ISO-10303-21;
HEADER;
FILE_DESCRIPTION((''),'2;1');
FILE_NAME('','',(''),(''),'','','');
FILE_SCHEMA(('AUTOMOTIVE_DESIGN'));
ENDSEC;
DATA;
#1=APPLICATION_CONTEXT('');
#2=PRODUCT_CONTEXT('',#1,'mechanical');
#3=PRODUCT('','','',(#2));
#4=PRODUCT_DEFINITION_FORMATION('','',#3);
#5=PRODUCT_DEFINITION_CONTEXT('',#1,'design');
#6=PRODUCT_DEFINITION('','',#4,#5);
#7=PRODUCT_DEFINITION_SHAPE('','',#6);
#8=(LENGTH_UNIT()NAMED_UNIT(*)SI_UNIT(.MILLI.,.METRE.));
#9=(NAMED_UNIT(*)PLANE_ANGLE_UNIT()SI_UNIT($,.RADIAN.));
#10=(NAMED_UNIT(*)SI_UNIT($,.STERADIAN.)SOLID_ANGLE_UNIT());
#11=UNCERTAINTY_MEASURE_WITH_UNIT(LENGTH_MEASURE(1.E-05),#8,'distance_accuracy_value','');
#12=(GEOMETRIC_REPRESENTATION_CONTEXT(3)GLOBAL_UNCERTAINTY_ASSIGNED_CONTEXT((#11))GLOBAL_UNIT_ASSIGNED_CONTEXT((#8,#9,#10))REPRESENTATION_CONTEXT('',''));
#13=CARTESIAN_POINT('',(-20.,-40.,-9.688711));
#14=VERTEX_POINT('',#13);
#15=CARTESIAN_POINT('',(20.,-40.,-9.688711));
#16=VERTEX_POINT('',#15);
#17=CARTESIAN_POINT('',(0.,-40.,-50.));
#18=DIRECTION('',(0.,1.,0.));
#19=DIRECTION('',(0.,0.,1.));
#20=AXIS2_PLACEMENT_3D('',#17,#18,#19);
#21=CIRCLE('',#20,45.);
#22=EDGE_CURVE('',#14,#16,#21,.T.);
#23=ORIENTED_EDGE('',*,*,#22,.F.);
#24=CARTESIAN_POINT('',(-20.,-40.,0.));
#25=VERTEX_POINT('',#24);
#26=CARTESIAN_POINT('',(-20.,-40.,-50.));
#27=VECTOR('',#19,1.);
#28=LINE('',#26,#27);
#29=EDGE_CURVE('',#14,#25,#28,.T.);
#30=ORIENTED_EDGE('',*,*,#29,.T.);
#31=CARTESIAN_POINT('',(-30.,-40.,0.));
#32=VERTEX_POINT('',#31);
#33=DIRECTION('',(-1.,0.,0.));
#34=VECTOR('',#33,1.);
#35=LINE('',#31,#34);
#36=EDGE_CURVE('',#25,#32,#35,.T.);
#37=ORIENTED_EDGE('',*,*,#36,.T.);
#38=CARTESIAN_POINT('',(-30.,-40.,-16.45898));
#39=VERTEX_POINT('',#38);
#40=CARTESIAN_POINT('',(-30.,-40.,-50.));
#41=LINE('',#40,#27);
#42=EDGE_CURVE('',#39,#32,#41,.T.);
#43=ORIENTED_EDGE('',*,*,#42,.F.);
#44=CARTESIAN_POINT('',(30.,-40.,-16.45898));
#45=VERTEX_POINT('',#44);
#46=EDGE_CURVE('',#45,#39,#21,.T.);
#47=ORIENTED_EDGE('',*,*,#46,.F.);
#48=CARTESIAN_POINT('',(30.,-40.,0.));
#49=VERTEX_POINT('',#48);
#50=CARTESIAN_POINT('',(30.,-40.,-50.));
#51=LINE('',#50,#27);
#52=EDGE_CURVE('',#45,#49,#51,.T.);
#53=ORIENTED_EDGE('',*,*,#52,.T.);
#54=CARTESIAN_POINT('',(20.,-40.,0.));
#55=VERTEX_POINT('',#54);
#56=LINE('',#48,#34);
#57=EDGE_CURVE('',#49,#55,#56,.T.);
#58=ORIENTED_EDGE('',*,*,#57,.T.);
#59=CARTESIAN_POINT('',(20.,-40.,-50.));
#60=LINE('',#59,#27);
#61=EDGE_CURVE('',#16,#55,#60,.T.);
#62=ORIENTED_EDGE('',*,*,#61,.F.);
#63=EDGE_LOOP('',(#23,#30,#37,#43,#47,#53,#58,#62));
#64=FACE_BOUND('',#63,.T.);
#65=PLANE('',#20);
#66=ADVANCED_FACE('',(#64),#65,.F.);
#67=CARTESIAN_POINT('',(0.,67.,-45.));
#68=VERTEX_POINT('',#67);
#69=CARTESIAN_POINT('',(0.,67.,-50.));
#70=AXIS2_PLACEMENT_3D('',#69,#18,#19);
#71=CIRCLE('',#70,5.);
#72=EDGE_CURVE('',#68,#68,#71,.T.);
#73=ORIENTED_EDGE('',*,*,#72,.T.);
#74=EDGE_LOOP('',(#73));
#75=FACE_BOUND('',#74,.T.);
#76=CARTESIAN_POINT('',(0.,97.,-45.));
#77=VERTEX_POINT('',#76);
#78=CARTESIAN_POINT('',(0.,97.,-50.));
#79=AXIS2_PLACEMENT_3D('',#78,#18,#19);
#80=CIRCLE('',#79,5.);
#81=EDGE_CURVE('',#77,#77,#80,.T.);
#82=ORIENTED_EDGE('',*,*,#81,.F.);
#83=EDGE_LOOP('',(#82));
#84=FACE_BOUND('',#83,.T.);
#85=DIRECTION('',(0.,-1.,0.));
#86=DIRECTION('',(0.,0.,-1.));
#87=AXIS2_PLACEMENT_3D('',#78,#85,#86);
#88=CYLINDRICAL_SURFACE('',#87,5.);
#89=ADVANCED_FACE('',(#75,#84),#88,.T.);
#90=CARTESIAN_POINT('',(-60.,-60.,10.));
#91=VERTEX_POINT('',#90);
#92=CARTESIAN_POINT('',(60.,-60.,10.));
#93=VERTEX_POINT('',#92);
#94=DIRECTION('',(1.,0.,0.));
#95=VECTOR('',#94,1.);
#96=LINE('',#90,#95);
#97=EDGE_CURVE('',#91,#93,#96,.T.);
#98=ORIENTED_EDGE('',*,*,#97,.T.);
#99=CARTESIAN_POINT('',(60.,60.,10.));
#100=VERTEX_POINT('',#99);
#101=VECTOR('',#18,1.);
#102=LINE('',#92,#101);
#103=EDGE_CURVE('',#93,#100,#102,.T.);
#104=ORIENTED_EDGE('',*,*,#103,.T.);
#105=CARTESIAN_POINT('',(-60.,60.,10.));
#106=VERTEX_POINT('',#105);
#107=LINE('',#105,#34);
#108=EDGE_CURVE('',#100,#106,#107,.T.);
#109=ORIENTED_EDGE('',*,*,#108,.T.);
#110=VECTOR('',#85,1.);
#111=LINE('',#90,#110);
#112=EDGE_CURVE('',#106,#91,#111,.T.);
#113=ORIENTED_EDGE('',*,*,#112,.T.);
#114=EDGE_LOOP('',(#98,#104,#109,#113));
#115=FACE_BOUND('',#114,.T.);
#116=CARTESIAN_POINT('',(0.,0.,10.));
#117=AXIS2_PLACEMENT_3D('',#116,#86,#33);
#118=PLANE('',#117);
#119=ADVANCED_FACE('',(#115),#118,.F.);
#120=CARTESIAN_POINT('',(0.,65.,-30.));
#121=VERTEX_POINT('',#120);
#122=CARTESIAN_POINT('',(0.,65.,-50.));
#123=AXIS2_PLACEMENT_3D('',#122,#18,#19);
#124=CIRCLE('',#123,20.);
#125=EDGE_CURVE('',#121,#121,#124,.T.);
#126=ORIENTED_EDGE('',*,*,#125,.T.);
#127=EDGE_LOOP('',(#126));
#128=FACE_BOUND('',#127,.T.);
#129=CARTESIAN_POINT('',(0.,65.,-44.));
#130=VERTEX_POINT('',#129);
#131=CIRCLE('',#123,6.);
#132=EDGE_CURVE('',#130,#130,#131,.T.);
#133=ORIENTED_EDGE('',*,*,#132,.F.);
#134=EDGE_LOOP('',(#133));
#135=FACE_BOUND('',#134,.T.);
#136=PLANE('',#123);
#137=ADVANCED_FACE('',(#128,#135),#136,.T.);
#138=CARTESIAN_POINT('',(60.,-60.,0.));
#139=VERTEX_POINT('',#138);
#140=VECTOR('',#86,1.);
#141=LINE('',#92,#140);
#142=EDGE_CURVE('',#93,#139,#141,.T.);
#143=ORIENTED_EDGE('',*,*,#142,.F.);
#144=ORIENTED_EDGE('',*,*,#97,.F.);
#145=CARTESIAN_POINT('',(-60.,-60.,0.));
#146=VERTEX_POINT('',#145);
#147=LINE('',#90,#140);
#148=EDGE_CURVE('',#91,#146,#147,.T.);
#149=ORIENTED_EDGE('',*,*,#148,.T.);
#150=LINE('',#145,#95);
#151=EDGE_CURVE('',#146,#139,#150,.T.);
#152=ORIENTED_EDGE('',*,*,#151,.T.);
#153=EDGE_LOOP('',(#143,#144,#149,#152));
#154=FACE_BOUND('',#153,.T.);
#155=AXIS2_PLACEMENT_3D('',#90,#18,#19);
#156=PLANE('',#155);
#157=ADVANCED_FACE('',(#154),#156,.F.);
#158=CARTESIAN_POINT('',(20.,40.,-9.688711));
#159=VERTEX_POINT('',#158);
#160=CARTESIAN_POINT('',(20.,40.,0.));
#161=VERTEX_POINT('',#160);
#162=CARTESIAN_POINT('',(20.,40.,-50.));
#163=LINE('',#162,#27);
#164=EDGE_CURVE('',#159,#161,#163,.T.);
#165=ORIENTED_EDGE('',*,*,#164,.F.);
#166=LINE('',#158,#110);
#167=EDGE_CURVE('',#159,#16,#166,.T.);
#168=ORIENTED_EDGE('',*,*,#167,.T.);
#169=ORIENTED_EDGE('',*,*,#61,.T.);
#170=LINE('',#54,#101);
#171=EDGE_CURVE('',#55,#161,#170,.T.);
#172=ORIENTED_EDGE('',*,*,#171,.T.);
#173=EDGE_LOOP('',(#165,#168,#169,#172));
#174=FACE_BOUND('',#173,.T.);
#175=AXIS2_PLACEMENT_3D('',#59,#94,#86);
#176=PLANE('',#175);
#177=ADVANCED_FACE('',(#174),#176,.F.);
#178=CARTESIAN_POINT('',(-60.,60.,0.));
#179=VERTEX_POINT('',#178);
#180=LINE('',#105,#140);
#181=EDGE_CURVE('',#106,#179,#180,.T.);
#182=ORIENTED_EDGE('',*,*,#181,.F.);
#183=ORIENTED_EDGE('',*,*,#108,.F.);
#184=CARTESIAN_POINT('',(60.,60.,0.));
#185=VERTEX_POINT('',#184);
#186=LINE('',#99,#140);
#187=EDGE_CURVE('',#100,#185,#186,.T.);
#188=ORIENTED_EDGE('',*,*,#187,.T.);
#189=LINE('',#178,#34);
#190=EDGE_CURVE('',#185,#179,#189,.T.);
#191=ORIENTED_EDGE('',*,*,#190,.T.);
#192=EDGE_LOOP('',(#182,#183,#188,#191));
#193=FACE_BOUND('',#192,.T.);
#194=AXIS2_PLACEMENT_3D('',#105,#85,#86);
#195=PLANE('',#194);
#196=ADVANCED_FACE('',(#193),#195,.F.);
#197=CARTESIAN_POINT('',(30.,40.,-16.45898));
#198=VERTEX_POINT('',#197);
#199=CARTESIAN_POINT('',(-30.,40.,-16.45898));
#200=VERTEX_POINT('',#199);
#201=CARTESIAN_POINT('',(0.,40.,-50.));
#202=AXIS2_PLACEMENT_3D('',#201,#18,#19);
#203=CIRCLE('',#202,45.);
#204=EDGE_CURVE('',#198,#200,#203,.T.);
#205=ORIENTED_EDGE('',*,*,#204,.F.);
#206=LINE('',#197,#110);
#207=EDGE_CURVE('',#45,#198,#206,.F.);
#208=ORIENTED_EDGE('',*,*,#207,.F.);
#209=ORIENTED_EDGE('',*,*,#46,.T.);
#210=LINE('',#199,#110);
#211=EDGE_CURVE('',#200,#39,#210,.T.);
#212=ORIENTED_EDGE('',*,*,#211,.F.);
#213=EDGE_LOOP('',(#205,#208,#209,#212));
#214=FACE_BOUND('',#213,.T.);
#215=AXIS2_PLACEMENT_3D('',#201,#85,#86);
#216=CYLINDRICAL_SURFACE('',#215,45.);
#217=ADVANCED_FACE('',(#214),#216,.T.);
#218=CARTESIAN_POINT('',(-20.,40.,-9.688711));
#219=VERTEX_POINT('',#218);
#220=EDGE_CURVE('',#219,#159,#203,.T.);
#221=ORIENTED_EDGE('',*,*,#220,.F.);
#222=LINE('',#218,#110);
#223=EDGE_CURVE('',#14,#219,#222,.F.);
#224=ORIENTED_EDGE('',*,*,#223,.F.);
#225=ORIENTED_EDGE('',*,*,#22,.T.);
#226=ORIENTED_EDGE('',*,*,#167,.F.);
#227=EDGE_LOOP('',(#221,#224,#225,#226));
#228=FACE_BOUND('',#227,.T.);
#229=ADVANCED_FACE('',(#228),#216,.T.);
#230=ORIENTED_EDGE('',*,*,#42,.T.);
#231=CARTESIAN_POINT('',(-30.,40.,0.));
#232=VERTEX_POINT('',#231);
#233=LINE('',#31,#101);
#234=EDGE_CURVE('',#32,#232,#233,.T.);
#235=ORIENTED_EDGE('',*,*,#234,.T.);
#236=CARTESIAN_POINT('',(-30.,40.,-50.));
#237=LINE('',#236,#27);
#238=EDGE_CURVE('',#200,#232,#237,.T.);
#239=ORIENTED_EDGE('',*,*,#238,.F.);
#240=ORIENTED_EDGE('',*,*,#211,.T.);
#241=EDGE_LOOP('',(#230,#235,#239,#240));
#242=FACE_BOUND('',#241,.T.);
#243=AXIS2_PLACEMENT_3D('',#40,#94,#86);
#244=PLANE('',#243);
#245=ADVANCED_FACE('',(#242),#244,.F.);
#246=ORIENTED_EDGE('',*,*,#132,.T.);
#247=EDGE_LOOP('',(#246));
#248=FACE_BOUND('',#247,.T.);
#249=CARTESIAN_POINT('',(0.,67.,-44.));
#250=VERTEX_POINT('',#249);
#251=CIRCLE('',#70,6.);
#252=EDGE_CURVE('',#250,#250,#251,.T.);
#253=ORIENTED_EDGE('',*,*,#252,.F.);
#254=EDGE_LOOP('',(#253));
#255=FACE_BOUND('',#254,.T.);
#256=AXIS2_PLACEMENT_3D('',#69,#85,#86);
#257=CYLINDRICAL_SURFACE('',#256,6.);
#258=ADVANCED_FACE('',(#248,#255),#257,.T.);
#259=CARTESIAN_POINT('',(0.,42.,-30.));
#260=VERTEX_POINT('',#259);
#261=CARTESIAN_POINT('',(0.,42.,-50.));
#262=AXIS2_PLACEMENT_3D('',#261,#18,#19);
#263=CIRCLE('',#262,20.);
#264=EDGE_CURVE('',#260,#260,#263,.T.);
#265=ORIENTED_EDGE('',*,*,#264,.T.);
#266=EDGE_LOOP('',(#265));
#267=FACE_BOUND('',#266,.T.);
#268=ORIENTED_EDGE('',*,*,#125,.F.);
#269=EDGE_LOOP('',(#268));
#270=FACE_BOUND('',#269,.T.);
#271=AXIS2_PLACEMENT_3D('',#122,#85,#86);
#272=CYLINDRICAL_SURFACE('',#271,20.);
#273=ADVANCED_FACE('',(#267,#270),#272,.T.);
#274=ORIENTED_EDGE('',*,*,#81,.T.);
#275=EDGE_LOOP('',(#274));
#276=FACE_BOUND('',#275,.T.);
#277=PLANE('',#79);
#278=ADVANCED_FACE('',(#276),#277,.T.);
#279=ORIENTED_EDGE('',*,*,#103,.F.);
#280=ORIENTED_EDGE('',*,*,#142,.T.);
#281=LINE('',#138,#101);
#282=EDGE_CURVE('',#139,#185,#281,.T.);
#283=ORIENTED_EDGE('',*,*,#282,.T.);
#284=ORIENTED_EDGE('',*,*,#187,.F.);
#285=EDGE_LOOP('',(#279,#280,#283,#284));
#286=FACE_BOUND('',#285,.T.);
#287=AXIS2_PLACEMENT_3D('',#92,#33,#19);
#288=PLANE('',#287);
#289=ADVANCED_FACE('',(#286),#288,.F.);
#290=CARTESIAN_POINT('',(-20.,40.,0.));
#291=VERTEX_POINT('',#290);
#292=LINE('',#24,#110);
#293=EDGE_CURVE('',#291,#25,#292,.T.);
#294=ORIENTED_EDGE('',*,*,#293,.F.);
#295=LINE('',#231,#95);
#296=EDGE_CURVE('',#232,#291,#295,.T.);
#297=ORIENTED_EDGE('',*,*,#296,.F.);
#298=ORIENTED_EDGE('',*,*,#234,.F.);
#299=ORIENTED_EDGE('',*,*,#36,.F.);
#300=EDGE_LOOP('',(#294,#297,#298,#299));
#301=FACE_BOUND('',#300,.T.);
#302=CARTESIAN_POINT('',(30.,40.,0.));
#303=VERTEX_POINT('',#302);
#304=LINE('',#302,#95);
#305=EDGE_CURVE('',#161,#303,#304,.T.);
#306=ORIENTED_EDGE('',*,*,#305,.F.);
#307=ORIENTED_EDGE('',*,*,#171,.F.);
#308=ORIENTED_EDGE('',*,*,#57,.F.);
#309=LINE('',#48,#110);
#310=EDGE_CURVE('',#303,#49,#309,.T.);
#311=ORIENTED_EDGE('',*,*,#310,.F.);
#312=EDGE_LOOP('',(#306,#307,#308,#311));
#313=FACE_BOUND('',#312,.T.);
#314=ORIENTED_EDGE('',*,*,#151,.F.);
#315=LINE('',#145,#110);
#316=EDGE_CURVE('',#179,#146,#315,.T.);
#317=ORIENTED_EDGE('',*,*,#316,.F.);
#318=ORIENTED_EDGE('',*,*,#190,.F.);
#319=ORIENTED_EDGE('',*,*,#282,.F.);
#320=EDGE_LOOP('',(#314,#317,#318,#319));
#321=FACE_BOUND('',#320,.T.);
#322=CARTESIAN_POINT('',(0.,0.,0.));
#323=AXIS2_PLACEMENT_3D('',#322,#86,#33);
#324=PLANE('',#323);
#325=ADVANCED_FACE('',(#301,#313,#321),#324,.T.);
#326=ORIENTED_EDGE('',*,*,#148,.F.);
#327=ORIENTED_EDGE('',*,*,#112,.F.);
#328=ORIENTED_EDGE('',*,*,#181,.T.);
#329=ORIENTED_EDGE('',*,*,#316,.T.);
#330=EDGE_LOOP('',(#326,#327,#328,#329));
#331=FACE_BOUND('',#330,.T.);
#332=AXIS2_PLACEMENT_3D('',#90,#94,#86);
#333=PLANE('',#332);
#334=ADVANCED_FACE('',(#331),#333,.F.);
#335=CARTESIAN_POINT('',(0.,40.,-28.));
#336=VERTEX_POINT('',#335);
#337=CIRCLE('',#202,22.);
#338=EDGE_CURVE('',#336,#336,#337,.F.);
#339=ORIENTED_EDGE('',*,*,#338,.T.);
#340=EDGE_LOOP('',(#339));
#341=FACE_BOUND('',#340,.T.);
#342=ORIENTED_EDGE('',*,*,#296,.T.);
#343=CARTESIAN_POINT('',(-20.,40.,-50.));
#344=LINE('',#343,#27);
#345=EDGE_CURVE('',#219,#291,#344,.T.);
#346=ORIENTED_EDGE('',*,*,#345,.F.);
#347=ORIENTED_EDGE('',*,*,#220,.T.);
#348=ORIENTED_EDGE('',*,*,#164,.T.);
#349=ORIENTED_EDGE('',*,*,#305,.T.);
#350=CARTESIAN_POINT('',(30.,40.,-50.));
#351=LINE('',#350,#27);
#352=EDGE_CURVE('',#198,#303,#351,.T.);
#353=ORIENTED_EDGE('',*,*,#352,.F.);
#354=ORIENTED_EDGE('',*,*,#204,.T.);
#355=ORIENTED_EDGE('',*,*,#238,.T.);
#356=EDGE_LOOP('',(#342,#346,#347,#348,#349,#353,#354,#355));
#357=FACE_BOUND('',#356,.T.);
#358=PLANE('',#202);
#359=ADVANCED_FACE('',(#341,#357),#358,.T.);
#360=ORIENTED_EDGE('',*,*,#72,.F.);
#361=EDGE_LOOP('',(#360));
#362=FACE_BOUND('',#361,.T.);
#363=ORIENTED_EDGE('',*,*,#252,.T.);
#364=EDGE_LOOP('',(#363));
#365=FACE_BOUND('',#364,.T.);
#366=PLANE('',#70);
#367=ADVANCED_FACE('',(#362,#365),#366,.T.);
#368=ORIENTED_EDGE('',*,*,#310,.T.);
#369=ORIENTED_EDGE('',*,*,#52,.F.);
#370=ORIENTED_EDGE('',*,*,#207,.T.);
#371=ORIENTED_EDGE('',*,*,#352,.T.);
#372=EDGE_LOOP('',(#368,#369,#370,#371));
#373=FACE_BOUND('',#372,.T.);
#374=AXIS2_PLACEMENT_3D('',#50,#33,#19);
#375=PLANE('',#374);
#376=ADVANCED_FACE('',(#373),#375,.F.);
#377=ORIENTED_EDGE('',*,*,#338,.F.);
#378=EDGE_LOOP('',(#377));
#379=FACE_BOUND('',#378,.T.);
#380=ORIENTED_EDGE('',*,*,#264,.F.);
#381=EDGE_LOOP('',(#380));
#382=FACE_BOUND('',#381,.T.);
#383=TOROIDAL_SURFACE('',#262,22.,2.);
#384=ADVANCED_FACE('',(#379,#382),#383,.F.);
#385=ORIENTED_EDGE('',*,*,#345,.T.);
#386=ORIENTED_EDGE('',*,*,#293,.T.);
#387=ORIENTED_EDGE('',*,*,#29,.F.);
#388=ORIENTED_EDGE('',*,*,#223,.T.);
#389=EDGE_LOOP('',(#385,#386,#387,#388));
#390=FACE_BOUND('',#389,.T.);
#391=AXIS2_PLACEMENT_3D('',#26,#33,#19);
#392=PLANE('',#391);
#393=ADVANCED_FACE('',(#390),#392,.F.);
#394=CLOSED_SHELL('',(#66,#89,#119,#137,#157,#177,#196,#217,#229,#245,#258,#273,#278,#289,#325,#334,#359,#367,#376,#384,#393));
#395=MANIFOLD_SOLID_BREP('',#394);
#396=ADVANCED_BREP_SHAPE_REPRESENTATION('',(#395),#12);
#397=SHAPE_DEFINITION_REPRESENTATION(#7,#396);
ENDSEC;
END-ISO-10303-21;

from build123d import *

# Parameters (mm, degrees)
SKETCH1_W           = 120
SKETCH1_H           = 120
BOSS_EXTRUDE1_DEPTH = 10
SKETCH2_R           = 45
BOSS_EXTRUDE2_DEPTH = 40
SKETCH3_W           = 10
SKETCH3_H           = 80
BOSS_EXTRUDE3_DEPTH = 50
SKETCH4_R           = 20
BOSS_EXTRUDE4_DEPTH = 25
FILLET1_R           = 2
SKETCH6_R           = 6
BOSS_EXTRUDE5_DEPTH = 2
SKETCH7_R           = 5
BOSS_EXTRUDE6_DEPTH = 30


with BuildPart() as part:
    # Sketch1 → Boss-Extrude1 (new body)
    with BuildSketch(Plane.XY):
        Rectangle(SKETCH1_W, SKETCH1_H)
    extrude(amount=BOSS_EXTRUDE1_DEPTH)

    # Sketch3 → Boss-Extrude3 (add)
    with BuildSketch(Plane(origin=(0, 0, 0), x_dir=(-1, 0, 0), z_dir=(0, 0, -1))):
        with Locations((-25, 0)):
            Rectangle(SKETCH3_W, SKETCH3_H)
        with Locations((25, 0)):
            Rectangle(SKETCH3_W, SKETCH3_H)
    extrude(amount=BOSS_EXTRUDE3_DEPTH)



with BuildPart() as body_2:
    # Sketch2 → Boss-Extrude2 (new body, symmetric)
    with BuildSketch(Plane(origin=(0, 0, 0), x_dir=(1, 0, 0), z_dir=(0, 1, 0))):
        with Locations((0, 50)):
            Circle(SKETCH2_R)
    extrude(amount=BOSS_EXTRUDE2_DEPTH, both=True)


with BuildPart() as part_1:
    add(part.part)

    add(body_2.part)  # Boss-Extrude4 merges body 2
    # Sketch4 → Boss-Extrude4 (add)
    with BuildSketch(Plane(origin=(0, 40, 0), x_dir=(1, 0, 0), z_dir=(0, 1, 0))):
        with Locations((0, 50)):
            Circle(SKETCH4_R)
    extrude(amount=BOSS_EXTRUDE4_DEPTH)

    # Fillet1
    fillet1_edges = [part_1.edges().sort_by_distance(p)[0] for p in [
        (-20, 40, -50),
    ]]
    fillet(fillet1_edges, radius=FILLET1_R)

    # Sketch6 → Boss-Extrude5 (add)
    with BuildSketch(Plane(origin=(0, 65, 0), x_dir=(1, 0, 0), z_dir=(0, 1, 0))):
        with Locations((0, 50)):
            Circle(SKETCH6_R)
    extrude(amount=BOSS_EXTRUDE5_DEPTH)

    # Sketch7 → Boss-Extrude6 (add)
    with BuildSketch(Plane(origin=(0, 67, 0), x_dir=(1, 0, 0), z_dir=(0, 1, 0))):
        with Locations((0, 50)):
            Circle(SKETCH7_R)
    extrude(amount=BOSS_EXTRUDE6_DEPTH)


solid = part_1.part
